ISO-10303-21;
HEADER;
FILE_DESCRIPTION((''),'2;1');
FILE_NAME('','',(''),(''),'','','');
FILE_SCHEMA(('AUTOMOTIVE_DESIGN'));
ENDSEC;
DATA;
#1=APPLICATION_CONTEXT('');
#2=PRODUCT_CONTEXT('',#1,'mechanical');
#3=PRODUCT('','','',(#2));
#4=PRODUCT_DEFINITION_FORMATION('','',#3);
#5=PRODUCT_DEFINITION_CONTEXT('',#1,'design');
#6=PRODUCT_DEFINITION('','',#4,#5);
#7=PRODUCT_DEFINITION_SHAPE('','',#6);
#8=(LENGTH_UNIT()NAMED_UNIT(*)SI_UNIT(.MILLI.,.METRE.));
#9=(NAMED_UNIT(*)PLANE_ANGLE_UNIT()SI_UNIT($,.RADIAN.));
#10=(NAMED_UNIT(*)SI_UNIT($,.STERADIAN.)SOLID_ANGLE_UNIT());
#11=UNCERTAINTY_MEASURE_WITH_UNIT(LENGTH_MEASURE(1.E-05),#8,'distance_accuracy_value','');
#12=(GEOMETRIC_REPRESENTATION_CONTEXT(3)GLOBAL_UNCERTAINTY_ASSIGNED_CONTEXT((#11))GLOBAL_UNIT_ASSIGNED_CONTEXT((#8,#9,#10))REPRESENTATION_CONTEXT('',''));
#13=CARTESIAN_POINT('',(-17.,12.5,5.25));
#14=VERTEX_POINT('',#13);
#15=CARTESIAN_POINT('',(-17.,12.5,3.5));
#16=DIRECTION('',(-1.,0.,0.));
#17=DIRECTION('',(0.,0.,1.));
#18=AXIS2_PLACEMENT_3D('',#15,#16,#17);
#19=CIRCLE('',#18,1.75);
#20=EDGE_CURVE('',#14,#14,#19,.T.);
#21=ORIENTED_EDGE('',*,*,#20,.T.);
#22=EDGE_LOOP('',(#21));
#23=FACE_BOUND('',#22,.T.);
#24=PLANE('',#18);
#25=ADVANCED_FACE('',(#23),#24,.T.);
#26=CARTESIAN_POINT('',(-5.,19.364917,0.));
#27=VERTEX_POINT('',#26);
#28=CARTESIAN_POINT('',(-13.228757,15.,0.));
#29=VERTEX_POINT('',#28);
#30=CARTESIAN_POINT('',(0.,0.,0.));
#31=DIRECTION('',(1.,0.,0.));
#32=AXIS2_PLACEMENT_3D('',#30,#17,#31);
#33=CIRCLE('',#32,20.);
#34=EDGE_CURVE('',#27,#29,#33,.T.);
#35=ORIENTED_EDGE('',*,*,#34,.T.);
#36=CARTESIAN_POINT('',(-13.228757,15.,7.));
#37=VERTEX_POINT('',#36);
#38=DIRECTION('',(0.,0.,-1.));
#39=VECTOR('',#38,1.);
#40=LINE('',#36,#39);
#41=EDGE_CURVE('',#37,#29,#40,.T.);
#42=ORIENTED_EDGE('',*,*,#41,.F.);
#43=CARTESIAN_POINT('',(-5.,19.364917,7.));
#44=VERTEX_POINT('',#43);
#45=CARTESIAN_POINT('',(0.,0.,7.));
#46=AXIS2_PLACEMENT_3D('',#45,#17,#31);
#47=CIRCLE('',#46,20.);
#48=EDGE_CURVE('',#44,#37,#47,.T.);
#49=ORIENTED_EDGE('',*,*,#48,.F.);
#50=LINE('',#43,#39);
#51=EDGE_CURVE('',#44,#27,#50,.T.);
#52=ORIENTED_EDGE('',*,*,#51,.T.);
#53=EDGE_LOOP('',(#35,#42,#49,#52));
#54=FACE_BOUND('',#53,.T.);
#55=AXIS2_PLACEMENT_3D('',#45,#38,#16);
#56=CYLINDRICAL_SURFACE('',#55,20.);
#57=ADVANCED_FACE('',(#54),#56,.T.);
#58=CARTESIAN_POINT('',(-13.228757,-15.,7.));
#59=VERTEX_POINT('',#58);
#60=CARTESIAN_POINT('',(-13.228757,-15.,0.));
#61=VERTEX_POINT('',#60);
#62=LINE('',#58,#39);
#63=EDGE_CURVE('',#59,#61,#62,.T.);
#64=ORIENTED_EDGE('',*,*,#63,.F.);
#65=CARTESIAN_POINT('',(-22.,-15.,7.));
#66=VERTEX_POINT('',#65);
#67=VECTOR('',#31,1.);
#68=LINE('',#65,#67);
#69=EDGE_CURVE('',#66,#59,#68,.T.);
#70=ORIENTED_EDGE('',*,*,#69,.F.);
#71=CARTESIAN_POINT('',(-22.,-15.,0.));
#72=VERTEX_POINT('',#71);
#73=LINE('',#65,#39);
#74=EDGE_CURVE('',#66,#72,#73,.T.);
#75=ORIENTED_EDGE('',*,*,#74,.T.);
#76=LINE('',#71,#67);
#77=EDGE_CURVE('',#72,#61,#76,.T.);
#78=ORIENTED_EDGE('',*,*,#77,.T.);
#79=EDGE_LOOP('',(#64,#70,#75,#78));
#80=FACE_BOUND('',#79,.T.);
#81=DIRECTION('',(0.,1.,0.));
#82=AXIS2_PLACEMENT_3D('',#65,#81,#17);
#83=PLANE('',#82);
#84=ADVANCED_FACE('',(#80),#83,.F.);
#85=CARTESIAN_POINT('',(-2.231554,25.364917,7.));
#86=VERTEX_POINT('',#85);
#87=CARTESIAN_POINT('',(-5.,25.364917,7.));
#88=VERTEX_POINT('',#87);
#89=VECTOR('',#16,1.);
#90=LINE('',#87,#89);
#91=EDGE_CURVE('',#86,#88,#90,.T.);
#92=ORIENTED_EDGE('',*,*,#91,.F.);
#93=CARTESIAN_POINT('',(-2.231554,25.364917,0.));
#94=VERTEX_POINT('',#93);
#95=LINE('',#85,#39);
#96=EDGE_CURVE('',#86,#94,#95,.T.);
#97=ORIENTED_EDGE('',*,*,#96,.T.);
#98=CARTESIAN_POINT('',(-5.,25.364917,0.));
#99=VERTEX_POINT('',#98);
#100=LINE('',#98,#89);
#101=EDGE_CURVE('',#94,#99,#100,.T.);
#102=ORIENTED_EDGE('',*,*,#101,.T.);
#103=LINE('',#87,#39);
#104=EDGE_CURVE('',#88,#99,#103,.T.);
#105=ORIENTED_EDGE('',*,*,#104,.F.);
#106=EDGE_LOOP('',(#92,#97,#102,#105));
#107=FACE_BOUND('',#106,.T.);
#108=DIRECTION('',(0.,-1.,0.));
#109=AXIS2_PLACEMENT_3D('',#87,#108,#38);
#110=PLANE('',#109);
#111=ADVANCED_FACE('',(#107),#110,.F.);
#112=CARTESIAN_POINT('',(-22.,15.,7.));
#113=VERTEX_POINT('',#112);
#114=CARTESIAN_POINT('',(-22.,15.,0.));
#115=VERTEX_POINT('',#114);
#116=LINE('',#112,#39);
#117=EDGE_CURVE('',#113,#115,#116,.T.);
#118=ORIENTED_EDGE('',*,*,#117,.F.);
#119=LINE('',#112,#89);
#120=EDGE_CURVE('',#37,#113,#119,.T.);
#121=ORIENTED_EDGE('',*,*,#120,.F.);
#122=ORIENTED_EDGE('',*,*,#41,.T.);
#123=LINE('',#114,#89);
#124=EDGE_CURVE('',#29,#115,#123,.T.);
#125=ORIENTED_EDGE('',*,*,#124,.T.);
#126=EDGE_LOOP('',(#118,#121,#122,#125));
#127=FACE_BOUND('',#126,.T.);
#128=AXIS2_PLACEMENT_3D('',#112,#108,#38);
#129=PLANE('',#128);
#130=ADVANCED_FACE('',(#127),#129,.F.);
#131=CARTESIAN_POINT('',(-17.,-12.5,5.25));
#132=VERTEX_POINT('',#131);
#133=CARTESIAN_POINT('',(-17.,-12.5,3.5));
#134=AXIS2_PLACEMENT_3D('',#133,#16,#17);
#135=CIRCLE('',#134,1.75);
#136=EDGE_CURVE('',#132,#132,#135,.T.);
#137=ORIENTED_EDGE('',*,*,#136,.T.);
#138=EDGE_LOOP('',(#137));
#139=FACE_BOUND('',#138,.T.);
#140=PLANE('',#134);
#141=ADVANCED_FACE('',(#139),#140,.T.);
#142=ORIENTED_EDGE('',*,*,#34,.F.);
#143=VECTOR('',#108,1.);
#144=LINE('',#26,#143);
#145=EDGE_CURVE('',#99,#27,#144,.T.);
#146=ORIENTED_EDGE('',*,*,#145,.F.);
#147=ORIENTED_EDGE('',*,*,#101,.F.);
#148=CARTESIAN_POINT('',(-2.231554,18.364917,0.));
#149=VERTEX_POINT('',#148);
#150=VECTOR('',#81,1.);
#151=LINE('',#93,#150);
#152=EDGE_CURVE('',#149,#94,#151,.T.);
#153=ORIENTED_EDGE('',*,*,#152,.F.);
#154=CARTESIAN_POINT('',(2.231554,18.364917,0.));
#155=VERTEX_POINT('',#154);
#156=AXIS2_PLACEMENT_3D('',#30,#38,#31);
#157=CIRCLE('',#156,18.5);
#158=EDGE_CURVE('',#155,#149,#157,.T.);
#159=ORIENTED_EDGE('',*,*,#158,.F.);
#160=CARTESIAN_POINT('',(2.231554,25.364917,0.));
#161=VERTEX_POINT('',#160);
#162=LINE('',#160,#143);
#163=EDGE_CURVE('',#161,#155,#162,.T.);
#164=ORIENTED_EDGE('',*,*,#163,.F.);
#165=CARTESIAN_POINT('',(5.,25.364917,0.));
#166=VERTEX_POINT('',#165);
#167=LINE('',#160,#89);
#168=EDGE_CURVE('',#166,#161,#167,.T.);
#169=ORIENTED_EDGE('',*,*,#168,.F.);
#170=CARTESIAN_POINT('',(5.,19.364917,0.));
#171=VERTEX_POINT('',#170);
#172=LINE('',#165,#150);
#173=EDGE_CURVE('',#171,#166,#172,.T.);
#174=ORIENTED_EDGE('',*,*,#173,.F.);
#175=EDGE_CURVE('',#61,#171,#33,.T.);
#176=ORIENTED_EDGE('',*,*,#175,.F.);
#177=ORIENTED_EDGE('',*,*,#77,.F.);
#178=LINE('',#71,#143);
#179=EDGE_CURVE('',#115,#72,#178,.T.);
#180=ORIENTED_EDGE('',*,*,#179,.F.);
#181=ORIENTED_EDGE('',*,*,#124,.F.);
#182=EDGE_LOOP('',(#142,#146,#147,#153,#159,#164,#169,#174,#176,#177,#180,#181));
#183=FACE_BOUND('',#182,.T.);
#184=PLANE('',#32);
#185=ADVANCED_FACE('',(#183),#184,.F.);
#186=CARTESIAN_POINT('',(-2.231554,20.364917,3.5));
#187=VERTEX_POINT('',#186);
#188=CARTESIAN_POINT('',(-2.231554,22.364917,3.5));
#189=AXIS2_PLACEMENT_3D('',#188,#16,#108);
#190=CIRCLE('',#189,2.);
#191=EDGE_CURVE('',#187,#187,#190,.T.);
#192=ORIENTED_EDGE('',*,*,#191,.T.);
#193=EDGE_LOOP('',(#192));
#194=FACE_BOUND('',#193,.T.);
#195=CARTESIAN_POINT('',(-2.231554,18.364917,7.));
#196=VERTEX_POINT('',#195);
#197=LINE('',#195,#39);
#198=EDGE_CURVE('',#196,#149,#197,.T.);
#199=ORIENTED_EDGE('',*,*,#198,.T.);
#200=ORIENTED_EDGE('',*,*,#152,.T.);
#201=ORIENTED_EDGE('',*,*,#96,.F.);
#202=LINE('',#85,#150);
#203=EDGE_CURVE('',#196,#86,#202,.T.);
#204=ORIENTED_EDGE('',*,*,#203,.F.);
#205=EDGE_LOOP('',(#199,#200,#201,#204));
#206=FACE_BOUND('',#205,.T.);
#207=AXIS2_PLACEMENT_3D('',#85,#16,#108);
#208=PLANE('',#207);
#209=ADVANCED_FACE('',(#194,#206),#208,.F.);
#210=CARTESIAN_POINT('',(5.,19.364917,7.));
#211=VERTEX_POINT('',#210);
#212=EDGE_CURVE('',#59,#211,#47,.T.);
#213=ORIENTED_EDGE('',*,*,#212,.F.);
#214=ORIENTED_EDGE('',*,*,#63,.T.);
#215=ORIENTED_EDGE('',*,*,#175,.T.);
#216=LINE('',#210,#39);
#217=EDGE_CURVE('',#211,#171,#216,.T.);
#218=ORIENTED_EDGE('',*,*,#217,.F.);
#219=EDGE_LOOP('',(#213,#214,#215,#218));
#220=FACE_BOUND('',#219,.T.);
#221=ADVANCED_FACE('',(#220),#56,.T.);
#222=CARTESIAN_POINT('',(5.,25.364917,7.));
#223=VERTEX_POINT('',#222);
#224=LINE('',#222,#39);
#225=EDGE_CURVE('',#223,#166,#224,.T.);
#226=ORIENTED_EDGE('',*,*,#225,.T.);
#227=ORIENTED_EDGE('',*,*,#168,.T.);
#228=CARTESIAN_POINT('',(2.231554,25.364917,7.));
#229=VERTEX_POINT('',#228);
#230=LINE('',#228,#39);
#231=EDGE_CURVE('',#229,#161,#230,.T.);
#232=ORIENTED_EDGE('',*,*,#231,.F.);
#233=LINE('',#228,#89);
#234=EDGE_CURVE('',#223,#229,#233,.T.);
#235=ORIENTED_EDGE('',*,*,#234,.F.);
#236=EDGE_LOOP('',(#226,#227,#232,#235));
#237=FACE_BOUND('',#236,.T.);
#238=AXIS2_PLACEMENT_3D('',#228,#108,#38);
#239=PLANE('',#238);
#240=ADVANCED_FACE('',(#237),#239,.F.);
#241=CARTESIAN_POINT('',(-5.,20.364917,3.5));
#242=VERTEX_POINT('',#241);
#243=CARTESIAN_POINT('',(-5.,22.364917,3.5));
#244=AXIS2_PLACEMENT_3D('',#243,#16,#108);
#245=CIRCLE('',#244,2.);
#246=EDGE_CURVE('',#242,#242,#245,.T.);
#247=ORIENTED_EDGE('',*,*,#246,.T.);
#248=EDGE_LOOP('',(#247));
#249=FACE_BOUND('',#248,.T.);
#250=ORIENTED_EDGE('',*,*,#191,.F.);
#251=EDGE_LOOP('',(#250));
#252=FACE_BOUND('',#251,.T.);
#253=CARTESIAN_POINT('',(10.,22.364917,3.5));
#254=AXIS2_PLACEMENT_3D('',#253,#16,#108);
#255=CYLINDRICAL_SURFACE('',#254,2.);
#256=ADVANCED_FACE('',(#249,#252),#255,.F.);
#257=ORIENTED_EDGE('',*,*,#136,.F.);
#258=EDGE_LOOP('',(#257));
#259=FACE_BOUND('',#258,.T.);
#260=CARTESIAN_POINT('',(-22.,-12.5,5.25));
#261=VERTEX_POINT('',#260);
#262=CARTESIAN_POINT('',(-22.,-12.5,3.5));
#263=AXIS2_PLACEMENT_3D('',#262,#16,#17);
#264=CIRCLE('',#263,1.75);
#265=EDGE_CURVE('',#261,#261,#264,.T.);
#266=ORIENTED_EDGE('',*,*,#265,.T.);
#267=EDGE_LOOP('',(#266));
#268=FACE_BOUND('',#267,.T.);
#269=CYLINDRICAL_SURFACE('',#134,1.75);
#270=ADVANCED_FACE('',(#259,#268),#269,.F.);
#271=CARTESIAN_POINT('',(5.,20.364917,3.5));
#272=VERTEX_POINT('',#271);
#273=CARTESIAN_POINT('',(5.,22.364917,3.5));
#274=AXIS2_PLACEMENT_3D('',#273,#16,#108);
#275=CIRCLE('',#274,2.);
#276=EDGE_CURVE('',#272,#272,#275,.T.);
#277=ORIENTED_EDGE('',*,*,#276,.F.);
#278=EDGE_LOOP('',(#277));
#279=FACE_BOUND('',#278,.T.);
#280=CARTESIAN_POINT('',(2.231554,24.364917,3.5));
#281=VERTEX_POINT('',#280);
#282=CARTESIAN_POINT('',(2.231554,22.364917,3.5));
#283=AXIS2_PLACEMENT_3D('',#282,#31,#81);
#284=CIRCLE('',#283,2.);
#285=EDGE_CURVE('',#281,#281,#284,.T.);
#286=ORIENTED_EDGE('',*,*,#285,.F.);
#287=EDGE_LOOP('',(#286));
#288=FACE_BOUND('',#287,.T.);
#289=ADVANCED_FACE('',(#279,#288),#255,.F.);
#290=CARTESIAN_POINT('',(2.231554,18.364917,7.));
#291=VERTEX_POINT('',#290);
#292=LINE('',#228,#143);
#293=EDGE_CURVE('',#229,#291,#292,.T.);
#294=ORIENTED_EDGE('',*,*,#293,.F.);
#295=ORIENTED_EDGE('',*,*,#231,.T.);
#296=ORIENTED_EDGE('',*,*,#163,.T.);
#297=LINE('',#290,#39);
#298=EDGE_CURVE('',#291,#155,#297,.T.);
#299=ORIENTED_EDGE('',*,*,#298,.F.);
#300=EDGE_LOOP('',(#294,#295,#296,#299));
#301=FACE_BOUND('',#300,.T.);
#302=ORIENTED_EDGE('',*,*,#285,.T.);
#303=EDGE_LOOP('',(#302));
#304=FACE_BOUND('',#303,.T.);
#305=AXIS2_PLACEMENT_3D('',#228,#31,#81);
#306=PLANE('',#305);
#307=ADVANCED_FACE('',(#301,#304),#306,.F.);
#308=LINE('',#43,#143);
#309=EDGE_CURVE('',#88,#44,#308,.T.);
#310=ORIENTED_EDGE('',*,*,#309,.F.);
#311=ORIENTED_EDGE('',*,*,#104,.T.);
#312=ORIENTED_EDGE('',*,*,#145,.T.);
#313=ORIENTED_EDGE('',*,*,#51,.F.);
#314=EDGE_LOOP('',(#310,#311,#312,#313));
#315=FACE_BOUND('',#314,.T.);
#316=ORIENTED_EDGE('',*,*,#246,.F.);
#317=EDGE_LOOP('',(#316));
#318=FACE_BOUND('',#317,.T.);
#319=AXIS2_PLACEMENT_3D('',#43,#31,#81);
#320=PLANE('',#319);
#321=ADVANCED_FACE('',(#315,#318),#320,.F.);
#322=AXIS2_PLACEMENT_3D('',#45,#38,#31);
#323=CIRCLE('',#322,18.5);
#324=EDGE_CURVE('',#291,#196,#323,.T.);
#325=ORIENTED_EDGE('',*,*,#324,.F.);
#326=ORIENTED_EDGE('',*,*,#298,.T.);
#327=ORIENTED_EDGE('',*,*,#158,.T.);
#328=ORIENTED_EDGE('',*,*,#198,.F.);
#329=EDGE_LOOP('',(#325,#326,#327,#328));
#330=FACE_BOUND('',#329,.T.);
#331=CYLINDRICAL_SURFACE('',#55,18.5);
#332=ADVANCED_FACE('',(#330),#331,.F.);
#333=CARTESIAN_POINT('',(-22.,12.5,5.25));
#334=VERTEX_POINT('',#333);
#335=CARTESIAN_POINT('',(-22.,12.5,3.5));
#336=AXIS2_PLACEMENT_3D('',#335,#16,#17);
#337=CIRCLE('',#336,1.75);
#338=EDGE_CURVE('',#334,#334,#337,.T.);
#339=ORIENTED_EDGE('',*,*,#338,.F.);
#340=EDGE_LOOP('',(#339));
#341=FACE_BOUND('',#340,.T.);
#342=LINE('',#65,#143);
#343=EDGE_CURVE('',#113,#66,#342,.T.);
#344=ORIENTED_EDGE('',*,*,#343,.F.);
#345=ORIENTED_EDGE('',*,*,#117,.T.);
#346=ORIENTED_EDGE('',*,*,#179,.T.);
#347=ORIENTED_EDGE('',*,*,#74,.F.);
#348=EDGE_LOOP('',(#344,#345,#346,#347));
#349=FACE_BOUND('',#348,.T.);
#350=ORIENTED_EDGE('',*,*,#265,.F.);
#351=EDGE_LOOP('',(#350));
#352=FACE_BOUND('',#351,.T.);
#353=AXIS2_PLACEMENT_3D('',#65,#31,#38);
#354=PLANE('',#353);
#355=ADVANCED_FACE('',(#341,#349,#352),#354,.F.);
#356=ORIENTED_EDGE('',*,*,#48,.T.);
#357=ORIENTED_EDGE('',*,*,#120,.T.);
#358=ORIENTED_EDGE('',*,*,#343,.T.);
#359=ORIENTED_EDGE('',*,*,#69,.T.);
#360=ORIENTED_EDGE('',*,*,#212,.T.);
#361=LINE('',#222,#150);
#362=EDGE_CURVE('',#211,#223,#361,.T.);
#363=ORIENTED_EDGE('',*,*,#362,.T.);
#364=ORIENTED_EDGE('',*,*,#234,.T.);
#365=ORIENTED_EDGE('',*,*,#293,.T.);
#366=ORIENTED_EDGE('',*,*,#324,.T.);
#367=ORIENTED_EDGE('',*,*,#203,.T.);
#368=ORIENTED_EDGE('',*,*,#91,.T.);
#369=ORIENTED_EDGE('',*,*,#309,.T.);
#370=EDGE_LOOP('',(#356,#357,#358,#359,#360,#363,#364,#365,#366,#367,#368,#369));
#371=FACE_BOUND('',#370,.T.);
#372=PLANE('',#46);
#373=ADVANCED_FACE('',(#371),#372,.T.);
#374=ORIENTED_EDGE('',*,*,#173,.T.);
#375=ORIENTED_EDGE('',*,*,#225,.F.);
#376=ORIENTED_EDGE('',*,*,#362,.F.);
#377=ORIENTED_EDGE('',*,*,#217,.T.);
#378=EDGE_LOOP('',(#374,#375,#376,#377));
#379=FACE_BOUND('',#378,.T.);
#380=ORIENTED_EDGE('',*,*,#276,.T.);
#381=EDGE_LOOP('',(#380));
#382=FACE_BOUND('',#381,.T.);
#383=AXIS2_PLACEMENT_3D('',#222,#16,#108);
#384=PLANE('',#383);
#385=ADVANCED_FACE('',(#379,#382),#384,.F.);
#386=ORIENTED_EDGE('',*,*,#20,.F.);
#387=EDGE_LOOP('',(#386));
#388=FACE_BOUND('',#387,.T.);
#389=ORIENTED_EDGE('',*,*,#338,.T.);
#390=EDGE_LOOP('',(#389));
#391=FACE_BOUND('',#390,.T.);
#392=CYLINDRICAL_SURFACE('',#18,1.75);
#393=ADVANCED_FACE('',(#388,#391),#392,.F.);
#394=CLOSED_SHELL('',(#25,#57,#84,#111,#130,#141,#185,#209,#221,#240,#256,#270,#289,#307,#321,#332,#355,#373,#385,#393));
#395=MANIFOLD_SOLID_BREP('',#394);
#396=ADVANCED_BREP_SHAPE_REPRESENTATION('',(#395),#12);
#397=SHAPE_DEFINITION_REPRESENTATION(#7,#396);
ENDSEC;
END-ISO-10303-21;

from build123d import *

# Parameters (mm, degrees)
BOSS_EXTRUDE1_DEPTH = 7
SKETCH2_R           = 1.75
CUT_EXTRUDE2_DEPTH  = 5
SKETCH3_R           = 2
CUT_EXTRUDE3_DEPTH  = 15


with BuildPart() as part:
    # Sketch1 → Boss-Extrude1 (new body)
    with BuildSketch(Plane.XY):
        with BuildLine():
            Line((-22, -15), (-22, 15))
            Line((-22, 15), (-13.228756555, 15))
            ThreePointArc((-13.228756555, 15), (-9.372033712, 17.668191308), (-5, 19.364916731))
            Line((-5, 19.364916731), (-5, 25.364916731))
            Line((-5, 25.364916731), (-2.231554046, 25.364916731))
            Line((-2.231554046, 25.364916731), (-2.231554046, 18.364916731))
            ThreePointArc((-2.231554046, 18.364916731), (0, -18.5), (2.231554046, 18.364916731))
            Line((2.231554046, 18.364916731), (2.231554046, 25.364916731))
            Line((2.231554046, 25.364916731), (5, 25.364916731))
            Line((5, 25.364916731), (5, 19.364916731))
            ThreePointArc((5, 19.364916731), (17.668191308, -9.372033712), (-13.228756555, -15))
            Line((-13.228756555, -15), (-22, -15))
        make_face()
    extrude(amount=BOSS_EXTRUDE1_DEPTH)

    # Sketch2 → Cut-Extrude2 (cut)
    with BuildSketch(Plane.ZY.offset(22)):
        with Locations((3.5, 12.5)):
            Circle(SKETCH2_R)
        with Locations((3.5, -12.5)):
            Circle(SKETCH2_R)
    extrude(amount=-CUT_EXTRUDE2_DEPTH, mode=Mode.SUBTRACT)

    # Sketch3 → Cut-Extrude3 (cut)
    with BuildSketch(Plane.ZY.offset(5)):
        with Locations(Location((3.5, 22.364916731, 0), (0, 0, 270))):
            Circle(SKETCH3_R)
    extrude(amount=-CUT_EXTRUDE3_DEPTH, mode=Mode.SUBTRACT)


solid = part.part
